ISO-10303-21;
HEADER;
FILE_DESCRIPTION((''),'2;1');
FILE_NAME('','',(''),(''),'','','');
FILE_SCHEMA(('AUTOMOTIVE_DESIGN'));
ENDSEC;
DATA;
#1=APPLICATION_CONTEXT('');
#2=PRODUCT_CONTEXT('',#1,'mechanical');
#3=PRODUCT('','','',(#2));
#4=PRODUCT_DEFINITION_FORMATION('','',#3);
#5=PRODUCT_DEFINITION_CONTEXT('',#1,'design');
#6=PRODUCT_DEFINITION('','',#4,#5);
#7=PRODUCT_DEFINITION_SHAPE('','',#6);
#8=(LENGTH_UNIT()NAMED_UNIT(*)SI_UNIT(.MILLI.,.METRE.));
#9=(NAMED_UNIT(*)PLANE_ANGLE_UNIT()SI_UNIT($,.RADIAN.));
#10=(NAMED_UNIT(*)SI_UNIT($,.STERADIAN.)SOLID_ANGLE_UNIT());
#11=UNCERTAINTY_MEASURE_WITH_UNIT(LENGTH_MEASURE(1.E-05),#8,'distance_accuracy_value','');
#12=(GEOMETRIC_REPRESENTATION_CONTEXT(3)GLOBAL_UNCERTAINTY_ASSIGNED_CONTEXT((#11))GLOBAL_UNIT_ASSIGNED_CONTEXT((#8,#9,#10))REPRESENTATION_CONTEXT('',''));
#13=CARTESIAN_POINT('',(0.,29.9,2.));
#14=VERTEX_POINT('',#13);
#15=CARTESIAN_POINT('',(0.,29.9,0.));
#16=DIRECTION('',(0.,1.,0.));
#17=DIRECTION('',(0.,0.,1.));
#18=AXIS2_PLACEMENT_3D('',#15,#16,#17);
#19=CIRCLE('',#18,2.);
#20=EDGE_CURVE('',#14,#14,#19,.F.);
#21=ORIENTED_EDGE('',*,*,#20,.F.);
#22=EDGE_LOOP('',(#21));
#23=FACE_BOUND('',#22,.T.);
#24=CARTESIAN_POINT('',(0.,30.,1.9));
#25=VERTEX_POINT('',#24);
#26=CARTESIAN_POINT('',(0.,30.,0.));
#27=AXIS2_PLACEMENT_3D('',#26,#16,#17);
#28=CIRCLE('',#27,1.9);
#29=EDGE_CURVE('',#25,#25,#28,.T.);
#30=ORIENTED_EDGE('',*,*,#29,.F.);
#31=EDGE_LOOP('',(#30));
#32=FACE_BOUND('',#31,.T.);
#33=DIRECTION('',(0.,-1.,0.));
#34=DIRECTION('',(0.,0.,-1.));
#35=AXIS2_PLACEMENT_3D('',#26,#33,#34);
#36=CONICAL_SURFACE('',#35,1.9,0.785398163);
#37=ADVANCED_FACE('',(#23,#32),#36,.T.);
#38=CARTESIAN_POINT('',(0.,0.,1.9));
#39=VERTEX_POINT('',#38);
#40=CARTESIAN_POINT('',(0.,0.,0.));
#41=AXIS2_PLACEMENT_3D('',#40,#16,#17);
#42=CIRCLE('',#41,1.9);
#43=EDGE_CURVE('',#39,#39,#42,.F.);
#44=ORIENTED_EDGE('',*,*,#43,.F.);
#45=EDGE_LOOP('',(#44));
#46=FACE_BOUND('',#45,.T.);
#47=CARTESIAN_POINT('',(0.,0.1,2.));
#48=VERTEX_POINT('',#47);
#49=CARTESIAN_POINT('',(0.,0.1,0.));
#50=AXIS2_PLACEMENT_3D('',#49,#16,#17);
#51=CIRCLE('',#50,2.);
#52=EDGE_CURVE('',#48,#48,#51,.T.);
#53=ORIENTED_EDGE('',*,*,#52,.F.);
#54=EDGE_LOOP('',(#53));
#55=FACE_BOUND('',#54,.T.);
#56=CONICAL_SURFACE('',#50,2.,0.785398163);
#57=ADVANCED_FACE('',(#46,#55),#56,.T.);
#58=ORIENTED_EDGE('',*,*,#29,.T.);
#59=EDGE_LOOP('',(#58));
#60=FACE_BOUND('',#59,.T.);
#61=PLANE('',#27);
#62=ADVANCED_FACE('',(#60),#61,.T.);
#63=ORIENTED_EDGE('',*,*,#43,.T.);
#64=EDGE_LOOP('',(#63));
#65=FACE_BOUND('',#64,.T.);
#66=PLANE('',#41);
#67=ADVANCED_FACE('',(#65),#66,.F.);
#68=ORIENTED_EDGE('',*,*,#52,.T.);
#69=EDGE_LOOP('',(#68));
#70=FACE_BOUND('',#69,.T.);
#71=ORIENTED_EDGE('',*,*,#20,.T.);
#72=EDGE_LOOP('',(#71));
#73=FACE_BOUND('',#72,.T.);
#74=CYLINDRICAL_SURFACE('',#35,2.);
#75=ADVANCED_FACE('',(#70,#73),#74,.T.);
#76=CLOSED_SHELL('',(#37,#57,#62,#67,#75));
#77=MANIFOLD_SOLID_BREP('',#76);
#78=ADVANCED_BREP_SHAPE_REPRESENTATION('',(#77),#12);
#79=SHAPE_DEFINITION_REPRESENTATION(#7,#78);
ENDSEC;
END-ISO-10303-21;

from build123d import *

# Parameters (mm, degrees)
SKETCH1_R           = 2
BOSS_EXTRUDE1_DEPTH = 30
CHAMFER1_SIZE       = 0.1


with BuildPart() as part:
    # Sketch1 → Boss-Extrude1 (new body)
    with BuildSketch(Plane(origin=(0, 0, 0), x_dir=(1, 0, 0), z_dir=(0, 1, 0))):
        Circle(SKETCH1_R)
    extrude(amount=BOSS_EXTRUDE1_DEPTH)

    # Chamfer1
    chamfer1_edges = [part.edges().sort_by_distance(p)[0] for p in [
        (-2, 0, 0),
        (-2, 30, 0),
    ]]
    chamfer(chamfer1_edges, length=CHAMFER1_SIZE)


solid = part.part
